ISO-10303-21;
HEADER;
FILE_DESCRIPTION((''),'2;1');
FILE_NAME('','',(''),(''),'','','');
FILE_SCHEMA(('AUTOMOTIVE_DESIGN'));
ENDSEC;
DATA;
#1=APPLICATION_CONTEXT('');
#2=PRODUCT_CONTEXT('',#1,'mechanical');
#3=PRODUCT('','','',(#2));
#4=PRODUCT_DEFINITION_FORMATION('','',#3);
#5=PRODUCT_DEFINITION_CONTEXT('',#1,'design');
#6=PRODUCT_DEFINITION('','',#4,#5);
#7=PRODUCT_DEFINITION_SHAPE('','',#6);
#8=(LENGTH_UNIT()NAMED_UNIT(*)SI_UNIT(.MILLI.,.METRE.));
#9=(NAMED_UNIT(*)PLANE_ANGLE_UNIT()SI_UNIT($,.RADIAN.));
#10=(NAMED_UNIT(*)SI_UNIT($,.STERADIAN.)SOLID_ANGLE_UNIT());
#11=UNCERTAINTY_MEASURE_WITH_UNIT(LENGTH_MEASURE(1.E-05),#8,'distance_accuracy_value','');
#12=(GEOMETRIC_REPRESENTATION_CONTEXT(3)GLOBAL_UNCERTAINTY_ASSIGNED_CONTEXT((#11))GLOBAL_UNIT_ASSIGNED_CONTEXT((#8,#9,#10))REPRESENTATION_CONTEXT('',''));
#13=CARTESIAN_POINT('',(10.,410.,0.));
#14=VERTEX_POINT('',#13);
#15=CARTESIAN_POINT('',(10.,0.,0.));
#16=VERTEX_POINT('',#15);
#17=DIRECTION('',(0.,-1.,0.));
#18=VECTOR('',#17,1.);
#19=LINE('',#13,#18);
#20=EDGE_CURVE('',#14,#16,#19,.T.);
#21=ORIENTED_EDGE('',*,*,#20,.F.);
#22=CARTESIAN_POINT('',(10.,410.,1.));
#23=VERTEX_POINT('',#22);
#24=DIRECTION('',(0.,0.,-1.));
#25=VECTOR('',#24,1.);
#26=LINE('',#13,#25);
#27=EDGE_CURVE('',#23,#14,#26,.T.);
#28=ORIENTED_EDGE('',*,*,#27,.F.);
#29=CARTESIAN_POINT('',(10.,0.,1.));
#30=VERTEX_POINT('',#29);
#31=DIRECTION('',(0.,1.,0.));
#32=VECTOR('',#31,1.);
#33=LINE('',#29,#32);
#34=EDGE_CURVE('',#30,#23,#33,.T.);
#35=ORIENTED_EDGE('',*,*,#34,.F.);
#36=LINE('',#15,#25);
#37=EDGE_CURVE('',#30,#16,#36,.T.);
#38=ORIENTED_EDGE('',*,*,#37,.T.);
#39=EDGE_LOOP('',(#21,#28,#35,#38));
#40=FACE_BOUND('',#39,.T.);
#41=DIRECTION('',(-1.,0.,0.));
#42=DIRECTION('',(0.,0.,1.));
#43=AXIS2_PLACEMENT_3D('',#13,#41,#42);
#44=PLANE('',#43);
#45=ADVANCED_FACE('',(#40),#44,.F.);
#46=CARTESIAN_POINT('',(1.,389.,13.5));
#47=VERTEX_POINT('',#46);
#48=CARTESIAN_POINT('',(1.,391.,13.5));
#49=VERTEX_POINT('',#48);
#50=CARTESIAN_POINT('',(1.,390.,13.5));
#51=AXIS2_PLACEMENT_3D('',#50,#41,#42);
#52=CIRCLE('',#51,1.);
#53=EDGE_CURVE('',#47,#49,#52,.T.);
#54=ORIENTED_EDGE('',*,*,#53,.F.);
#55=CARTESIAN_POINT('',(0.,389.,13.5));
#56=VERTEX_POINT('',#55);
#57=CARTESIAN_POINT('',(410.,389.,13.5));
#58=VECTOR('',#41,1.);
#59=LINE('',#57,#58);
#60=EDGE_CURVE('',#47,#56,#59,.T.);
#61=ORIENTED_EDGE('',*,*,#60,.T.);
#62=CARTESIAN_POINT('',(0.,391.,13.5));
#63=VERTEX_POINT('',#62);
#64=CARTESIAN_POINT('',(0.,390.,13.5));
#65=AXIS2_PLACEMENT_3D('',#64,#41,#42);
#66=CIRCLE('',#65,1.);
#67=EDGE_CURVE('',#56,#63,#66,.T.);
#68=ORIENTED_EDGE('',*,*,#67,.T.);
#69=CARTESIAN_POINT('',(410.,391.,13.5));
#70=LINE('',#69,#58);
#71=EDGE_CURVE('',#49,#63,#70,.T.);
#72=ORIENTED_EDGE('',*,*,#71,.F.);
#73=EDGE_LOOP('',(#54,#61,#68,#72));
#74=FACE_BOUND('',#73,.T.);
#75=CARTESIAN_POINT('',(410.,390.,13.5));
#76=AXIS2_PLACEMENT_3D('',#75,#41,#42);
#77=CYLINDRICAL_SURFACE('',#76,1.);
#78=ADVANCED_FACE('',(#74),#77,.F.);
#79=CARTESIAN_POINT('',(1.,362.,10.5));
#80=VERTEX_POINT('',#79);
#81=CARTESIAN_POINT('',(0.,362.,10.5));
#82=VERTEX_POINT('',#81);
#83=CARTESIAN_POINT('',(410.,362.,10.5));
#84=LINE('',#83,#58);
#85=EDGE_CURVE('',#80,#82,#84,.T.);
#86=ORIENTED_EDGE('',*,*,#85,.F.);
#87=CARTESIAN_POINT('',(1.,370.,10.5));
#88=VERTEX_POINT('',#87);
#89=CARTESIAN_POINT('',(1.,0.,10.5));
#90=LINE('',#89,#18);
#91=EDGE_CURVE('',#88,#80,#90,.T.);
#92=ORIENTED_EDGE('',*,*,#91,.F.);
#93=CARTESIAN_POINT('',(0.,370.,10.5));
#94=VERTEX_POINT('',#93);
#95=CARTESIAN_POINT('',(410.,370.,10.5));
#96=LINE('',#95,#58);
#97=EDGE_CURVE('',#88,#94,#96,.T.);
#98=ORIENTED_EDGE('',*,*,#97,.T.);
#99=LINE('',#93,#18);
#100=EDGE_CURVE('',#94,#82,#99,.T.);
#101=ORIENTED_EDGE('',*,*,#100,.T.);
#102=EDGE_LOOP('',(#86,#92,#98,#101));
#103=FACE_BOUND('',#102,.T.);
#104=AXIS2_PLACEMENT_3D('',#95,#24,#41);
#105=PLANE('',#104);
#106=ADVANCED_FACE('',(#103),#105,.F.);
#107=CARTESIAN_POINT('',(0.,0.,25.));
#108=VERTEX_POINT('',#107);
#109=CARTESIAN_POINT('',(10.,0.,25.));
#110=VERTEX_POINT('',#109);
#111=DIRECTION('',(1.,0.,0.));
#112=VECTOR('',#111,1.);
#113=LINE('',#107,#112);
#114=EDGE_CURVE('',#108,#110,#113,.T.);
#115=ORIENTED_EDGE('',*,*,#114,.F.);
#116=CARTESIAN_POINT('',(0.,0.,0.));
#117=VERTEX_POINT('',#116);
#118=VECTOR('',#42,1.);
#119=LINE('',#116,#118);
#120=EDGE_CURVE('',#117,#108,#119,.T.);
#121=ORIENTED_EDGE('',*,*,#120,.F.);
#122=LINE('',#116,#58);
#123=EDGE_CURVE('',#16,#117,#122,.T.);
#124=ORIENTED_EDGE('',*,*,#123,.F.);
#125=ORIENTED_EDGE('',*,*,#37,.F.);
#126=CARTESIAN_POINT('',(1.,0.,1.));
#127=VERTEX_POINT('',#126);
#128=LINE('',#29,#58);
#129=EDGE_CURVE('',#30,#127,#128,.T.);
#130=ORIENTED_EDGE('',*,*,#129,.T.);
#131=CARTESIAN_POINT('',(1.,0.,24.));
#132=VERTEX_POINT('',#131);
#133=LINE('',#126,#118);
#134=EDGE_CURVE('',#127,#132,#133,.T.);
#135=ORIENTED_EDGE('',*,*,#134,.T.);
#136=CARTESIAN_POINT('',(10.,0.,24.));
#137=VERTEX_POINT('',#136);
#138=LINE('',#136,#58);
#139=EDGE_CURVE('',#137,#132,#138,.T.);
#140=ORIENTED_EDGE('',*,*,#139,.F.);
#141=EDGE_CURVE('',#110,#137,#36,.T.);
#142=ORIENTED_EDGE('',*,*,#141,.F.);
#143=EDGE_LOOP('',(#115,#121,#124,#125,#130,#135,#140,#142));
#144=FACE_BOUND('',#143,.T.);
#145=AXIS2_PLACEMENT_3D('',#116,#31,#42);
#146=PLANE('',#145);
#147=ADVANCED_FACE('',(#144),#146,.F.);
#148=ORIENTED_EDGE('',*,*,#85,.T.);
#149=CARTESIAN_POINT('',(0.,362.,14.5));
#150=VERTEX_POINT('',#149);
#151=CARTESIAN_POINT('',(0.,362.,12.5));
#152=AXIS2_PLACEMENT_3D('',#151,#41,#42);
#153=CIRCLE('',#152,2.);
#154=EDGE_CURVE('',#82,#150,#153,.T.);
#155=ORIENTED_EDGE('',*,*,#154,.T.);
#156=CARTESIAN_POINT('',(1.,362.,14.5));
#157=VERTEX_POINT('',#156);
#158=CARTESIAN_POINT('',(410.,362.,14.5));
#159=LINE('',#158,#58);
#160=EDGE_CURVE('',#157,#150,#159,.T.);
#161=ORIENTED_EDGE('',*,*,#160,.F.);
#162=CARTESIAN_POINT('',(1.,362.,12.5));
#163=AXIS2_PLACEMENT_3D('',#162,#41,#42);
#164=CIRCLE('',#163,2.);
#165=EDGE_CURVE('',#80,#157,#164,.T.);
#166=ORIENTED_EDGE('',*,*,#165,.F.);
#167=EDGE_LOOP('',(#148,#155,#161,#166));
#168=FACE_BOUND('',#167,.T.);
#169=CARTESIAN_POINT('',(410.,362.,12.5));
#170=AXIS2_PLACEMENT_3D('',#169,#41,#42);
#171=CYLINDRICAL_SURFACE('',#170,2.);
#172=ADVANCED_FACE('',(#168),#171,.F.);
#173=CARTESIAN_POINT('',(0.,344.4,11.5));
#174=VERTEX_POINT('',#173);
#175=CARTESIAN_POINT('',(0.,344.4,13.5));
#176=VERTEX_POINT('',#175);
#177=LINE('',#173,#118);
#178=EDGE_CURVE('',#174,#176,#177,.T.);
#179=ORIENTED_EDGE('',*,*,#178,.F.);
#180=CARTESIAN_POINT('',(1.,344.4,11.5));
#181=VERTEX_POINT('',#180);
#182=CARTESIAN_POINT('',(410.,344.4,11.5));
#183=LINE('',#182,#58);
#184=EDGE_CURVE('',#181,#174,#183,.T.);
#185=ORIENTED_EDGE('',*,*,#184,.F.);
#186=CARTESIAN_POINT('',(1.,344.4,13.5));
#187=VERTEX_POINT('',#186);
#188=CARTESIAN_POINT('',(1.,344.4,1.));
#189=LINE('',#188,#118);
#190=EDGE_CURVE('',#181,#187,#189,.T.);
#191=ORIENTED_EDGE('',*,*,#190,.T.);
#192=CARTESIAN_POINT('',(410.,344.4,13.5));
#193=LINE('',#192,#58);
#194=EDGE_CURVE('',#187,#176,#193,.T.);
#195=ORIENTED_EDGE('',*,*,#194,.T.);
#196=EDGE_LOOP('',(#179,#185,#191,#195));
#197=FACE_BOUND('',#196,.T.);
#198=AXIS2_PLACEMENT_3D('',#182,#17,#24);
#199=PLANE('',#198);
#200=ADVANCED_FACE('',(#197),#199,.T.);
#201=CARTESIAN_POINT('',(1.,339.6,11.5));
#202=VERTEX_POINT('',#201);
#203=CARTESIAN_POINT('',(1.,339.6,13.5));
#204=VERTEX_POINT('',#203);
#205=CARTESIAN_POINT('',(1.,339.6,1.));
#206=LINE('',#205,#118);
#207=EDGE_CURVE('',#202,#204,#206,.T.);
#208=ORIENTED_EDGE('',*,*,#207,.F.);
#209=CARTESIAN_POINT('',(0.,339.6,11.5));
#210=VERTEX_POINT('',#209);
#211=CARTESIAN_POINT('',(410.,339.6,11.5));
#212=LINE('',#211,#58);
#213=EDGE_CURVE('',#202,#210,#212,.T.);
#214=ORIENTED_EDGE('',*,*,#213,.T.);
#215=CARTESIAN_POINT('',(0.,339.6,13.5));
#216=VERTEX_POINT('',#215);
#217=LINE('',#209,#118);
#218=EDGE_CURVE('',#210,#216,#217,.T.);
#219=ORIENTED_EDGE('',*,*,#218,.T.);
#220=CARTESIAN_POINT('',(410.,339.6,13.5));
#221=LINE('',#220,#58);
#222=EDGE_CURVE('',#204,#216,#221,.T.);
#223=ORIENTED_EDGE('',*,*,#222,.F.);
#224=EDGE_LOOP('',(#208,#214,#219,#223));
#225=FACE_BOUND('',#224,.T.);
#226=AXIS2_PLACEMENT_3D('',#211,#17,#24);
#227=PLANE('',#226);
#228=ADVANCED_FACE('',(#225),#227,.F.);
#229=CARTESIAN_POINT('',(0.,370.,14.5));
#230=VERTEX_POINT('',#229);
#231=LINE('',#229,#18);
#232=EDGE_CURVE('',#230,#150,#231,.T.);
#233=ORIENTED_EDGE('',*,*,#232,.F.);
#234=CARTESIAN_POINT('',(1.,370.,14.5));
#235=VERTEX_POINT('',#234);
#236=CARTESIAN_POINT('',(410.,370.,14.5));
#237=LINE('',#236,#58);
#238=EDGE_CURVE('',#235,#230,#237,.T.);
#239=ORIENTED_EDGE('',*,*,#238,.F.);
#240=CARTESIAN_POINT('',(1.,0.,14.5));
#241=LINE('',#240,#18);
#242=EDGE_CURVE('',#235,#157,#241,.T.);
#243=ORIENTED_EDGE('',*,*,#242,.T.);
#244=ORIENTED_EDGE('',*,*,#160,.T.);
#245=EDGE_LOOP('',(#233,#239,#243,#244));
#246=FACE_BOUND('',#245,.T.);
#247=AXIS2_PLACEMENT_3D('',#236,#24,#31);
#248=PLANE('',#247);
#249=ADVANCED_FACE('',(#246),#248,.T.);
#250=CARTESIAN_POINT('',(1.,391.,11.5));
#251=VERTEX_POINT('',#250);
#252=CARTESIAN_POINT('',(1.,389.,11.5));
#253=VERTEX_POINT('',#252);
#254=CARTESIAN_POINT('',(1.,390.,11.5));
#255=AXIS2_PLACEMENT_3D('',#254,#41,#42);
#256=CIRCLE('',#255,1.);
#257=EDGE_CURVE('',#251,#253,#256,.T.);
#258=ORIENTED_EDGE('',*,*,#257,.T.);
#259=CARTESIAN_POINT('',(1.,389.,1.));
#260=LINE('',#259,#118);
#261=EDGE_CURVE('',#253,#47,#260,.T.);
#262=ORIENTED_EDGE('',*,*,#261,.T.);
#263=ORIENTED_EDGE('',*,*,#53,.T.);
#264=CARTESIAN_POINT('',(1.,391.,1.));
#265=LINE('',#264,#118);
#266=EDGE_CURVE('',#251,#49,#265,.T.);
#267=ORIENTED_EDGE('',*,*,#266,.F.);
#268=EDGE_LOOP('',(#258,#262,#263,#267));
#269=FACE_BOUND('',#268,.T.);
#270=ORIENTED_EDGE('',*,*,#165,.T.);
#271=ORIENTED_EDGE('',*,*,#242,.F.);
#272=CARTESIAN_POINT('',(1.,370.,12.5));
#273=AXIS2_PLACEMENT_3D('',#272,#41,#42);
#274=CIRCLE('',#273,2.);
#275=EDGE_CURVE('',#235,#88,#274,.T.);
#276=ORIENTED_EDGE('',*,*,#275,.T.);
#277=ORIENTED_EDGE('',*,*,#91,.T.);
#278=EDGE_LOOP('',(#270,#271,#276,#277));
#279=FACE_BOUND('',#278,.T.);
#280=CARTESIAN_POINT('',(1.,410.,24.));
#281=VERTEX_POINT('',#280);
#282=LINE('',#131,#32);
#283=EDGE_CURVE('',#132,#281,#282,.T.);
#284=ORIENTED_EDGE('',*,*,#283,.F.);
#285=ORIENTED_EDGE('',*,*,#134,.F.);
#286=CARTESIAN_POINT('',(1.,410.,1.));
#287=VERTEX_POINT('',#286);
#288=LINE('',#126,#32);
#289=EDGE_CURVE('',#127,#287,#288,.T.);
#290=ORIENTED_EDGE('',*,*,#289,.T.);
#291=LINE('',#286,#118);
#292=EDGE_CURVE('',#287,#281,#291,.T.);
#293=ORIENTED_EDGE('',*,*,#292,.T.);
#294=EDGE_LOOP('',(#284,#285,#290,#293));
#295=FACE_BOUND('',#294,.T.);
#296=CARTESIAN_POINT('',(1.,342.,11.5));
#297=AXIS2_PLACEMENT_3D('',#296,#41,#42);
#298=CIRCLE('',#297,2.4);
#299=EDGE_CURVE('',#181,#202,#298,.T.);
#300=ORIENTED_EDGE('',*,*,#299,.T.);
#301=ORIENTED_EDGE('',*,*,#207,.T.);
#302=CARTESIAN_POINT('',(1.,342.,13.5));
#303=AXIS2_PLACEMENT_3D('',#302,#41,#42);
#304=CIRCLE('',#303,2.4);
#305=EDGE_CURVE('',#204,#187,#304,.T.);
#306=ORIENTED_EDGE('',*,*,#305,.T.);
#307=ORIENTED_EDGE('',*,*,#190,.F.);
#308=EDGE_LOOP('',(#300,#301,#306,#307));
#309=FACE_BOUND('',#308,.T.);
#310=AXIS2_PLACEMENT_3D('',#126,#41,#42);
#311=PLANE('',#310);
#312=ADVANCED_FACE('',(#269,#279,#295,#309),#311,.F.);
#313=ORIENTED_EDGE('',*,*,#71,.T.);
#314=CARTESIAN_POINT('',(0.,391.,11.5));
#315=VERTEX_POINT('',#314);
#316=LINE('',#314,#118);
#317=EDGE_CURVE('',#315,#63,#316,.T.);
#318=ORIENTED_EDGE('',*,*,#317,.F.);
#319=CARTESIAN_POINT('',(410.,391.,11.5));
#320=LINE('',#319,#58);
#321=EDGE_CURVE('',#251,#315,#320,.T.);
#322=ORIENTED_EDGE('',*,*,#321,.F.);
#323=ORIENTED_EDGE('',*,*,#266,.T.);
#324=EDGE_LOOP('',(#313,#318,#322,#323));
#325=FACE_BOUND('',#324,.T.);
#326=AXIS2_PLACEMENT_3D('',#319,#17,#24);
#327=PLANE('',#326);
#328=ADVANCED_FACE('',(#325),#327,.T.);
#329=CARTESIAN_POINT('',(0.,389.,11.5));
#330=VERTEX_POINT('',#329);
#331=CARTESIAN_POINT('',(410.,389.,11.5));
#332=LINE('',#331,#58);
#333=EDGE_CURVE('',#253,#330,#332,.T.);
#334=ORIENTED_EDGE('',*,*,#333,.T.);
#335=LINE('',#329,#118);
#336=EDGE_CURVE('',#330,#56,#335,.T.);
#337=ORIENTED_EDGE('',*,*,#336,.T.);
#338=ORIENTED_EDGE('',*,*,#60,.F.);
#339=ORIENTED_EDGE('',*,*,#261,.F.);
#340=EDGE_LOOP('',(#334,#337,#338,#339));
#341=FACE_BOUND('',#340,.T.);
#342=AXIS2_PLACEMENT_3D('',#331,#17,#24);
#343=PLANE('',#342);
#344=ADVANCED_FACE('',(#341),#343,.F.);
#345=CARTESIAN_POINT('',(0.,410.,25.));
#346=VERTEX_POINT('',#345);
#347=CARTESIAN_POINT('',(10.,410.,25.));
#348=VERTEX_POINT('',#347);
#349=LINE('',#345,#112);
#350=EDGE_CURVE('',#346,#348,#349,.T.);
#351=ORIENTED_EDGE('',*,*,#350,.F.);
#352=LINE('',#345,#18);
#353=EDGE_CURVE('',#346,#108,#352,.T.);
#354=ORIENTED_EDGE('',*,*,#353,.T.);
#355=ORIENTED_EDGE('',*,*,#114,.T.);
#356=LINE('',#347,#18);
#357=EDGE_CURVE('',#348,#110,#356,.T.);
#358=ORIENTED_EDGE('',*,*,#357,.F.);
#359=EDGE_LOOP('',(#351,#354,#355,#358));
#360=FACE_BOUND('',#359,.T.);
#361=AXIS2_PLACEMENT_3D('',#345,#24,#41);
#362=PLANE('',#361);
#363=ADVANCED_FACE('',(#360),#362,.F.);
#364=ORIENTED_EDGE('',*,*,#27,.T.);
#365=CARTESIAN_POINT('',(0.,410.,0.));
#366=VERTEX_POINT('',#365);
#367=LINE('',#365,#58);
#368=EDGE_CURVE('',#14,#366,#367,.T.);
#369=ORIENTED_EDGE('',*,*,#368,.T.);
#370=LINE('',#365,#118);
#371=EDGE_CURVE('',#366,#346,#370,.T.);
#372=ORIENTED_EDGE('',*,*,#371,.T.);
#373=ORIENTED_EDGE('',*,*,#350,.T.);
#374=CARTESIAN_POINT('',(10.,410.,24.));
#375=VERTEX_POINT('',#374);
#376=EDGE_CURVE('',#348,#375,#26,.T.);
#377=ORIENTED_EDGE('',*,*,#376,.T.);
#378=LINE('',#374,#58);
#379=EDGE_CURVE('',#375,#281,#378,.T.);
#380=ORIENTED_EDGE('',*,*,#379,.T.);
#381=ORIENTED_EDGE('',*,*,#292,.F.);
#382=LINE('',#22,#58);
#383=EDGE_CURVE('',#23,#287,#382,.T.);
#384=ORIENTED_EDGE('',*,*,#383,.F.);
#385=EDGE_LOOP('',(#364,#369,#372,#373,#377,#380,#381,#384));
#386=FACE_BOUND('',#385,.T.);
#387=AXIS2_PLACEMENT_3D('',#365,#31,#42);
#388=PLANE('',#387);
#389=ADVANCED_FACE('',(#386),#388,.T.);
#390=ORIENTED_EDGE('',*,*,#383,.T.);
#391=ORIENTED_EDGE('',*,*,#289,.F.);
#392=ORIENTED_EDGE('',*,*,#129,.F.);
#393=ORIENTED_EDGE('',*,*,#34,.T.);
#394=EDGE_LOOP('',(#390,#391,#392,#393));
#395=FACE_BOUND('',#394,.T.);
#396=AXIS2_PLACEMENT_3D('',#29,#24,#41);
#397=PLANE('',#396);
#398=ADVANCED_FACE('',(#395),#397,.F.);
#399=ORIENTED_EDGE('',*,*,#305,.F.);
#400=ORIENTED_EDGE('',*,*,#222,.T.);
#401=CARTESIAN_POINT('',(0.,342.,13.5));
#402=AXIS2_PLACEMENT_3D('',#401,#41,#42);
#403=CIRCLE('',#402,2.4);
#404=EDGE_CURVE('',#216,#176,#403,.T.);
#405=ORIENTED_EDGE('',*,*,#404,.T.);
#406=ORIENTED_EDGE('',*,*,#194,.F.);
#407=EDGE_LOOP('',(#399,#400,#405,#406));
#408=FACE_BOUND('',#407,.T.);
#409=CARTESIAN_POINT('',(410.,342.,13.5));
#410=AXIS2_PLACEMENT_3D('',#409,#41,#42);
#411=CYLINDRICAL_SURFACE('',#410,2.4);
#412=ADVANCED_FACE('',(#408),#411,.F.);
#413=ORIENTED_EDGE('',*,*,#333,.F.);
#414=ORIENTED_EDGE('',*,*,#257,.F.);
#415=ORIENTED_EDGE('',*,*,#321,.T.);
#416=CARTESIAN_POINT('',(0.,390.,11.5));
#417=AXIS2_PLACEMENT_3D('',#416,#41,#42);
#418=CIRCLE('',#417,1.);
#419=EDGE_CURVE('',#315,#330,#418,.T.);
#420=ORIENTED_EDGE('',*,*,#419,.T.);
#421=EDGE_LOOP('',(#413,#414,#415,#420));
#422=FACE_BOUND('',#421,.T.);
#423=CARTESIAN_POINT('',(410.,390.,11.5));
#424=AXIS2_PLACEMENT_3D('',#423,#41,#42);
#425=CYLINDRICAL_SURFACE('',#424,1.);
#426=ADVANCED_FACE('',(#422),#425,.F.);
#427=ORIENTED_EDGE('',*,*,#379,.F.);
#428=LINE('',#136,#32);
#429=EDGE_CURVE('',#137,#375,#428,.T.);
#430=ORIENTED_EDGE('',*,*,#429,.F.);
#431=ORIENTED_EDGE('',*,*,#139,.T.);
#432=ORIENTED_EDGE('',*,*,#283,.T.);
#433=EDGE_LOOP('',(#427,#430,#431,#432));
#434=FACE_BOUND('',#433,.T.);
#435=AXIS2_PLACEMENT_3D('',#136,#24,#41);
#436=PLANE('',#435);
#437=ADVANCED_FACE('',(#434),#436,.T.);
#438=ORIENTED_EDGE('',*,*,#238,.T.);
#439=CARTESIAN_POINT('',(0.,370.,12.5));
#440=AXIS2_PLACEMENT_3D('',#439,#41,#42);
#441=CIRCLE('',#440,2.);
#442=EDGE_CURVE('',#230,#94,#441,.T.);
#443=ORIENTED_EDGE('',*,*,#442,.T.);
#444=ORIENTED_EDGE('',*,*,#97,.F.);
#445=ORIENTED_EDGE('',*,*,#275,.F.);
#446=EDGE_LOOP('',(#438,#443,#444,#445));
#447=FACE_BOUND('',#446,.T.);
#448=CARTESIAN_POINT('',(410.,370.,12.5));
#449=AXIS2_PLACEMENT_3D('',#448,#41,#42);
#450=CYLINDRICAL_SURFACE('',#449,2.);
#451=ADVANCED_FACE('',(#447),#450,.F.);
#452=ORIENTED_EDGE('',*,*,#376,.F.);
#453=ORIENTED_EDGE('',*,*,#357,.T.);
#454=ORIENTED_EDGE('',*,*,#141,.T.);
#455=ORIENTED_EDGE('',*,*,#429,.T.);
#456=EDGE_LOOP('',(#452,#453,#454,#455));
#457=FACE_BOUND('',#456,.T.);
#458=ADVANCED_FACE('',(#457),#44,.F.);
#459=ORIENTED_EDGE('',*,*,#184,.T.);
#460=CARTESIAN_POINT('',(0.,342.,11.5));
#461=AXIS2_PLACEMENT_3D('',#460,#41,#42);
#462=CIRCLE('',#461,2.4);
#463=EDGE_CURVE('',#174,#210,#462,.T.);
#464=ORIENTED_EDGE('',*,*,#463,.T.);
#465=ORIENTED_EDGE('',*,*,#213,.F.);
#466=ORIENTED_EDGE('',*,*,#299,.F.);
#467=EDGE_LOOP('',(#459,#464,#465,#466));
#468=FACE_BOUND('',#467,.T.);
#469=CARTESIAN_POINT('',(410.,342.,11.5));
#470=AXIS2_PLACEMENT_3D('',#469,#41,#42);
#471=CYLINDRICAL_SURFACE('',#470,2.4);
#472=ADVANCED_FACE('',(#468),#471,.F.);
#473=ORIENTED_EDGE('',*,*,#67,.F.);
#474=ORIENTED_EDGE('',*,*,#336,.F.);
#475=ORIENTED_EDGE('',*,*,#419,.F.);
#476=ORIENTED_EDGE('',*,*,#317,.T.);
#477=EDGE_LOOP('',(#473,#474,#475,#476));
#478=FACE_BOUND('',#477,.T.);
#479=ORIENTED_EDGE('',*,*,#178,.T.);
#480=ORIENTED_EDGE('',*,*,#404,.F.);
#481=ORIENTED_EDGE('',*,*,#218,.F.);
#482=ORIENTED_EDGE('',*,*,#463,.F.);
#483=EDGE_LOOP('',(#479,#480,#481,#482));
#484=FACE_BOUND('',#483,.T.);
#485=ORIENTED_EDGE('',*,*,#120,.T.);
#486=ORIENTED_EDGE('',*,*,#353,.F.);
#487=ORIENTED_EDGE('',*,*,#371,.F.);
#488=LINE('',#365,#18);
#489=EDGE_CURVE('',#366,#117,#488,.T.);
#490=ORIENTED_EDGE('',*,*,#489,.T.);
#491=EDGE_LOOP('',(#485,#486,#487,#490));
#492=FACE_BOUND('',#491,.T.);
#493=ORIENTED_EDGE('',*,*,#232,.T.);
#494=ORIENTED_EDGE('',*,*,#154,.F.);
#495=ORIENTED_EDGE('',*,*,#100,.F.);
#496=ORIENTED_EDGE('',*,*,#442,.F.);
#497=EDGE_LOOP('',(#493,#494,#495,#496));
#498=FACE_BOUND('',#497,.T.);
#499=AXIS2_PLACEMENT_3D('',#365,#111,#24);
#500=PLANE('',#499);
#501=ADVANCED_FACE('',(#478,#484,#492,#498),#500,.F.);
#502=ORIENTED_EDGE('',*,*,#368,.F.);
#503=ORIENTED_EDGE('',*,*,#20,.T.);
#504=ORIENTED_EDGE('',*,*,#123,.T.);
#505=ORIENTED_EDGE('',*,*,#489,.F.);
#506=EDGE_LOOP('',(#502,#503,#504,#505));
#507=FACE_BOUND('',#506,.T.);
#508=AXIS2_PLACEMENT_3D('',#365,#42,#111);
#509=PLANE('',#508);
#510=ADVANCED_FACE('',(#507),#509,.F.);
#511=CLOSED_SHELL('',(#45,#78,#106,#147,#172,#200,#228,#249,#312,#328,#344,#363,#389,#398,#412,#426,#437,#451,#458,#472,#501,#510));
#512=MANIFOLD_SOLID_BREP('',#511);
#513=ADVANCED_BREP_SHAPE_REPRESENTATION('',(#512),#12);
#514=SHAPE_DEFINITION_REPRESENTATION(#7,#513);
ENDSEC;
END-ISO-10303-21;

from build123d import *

# Parameters (mm, degrees)
SKETCH1_W           = 10
SKETCH1_H           = 25
BOSS_EXTRUDE1_DEPTH = 410
SKETCH2_W           = 9
SKETCH2_H           = 23
CUT_EXTRUDE1_DEPTH  = 410
CUT_EXTRUDE2_DEPTH  = 410
CUT_EXTRUDE3_DEPTH  = 410
CUT_EXTRUDE4_DEPTH  = 410


with BuildPart() as part:
    # Sketch1 → Boss-Extrude1 (new body)
    with BuildSketch(Plane(origin=(0, 0, 0), x_dir=(1, 0, 0), z_dir=(0, 1, 0))):
        with Locations((5, -12.5)):
            Rectangle(SKETCH1_W, SKETCH1_H)
    extrude(amount=BOSS_EXTRUDE1_DEPTH)

    # Sketch2 → Cut-Extrude1 (cut)
    with BuildSketch(Plane(origin=(0, 410, 0), x_dir=(1, 0, 0), z_dir=(0, 1, 0))):
        with Locations((5.5, -12.5)):
            Rectangle(SKETCH2_W, SKETCH2_H)
    extrude(amount=-CUT_EXTRUDE1_DEPTH, mode=Mode.SUBTRACT)

    # Sketch3 → Cut-Extrude2 (cut)
    with BuildSketch(Plane.ZY):
        with BuildLine():
            Line((11.5, 391), (13.5, 391))
            ThreePointArc((13.5, 391), (14.5, 390), (13.5, 389))
            Line((13.5, 389), (11.5, 389))
            ThreePointArc((11.5, 389), (10.5, 390), (11.5, 391))
        make_face()
    extrude(amount=-CUT_EXTRUDE2_DEPTH, mode=Mode.SUBTRACT)

    # Sketch3<3> → Cut-Extrude3 (cut)
    with BuildSketch(Plane.ZY):
        with BuildLine():
            Line((14.5, 370), (14.5, 362))
            ThreePointArc((14.5, 362), (12.5, 360), (10.5, 362))
            Line((10.5, 362), (10.5, 370))
            ThreePointArc((10.5, 370), (12.5, 372), (14.5, 370))
        make_face()
    extrude(amount=-CUT_EXTRUDE3_DEPTH, mode=Mode.SUBTRACT)

    # Sketch3<4> → Cut-Extrude4 (cut)
    with BuildSketch(Plane.ZY):
        with BuildLine():
            Line((11.5, 344.4), (13.5, 344.4))
            ThreePointArc((13.5, 344.4), (15.9, 342), (13.5, 339.6))
            Line((13.5, 339.6), (11.5, 339.6))
            ThreePointArc((11.5, 339.6), (9.1, 342), (11.5, 344.4))
        make_face()
    extrude(amount=-CUT_EXTRUDE4_DEPTH, mode=Mode.SUBTRACT)


solid = part.part
